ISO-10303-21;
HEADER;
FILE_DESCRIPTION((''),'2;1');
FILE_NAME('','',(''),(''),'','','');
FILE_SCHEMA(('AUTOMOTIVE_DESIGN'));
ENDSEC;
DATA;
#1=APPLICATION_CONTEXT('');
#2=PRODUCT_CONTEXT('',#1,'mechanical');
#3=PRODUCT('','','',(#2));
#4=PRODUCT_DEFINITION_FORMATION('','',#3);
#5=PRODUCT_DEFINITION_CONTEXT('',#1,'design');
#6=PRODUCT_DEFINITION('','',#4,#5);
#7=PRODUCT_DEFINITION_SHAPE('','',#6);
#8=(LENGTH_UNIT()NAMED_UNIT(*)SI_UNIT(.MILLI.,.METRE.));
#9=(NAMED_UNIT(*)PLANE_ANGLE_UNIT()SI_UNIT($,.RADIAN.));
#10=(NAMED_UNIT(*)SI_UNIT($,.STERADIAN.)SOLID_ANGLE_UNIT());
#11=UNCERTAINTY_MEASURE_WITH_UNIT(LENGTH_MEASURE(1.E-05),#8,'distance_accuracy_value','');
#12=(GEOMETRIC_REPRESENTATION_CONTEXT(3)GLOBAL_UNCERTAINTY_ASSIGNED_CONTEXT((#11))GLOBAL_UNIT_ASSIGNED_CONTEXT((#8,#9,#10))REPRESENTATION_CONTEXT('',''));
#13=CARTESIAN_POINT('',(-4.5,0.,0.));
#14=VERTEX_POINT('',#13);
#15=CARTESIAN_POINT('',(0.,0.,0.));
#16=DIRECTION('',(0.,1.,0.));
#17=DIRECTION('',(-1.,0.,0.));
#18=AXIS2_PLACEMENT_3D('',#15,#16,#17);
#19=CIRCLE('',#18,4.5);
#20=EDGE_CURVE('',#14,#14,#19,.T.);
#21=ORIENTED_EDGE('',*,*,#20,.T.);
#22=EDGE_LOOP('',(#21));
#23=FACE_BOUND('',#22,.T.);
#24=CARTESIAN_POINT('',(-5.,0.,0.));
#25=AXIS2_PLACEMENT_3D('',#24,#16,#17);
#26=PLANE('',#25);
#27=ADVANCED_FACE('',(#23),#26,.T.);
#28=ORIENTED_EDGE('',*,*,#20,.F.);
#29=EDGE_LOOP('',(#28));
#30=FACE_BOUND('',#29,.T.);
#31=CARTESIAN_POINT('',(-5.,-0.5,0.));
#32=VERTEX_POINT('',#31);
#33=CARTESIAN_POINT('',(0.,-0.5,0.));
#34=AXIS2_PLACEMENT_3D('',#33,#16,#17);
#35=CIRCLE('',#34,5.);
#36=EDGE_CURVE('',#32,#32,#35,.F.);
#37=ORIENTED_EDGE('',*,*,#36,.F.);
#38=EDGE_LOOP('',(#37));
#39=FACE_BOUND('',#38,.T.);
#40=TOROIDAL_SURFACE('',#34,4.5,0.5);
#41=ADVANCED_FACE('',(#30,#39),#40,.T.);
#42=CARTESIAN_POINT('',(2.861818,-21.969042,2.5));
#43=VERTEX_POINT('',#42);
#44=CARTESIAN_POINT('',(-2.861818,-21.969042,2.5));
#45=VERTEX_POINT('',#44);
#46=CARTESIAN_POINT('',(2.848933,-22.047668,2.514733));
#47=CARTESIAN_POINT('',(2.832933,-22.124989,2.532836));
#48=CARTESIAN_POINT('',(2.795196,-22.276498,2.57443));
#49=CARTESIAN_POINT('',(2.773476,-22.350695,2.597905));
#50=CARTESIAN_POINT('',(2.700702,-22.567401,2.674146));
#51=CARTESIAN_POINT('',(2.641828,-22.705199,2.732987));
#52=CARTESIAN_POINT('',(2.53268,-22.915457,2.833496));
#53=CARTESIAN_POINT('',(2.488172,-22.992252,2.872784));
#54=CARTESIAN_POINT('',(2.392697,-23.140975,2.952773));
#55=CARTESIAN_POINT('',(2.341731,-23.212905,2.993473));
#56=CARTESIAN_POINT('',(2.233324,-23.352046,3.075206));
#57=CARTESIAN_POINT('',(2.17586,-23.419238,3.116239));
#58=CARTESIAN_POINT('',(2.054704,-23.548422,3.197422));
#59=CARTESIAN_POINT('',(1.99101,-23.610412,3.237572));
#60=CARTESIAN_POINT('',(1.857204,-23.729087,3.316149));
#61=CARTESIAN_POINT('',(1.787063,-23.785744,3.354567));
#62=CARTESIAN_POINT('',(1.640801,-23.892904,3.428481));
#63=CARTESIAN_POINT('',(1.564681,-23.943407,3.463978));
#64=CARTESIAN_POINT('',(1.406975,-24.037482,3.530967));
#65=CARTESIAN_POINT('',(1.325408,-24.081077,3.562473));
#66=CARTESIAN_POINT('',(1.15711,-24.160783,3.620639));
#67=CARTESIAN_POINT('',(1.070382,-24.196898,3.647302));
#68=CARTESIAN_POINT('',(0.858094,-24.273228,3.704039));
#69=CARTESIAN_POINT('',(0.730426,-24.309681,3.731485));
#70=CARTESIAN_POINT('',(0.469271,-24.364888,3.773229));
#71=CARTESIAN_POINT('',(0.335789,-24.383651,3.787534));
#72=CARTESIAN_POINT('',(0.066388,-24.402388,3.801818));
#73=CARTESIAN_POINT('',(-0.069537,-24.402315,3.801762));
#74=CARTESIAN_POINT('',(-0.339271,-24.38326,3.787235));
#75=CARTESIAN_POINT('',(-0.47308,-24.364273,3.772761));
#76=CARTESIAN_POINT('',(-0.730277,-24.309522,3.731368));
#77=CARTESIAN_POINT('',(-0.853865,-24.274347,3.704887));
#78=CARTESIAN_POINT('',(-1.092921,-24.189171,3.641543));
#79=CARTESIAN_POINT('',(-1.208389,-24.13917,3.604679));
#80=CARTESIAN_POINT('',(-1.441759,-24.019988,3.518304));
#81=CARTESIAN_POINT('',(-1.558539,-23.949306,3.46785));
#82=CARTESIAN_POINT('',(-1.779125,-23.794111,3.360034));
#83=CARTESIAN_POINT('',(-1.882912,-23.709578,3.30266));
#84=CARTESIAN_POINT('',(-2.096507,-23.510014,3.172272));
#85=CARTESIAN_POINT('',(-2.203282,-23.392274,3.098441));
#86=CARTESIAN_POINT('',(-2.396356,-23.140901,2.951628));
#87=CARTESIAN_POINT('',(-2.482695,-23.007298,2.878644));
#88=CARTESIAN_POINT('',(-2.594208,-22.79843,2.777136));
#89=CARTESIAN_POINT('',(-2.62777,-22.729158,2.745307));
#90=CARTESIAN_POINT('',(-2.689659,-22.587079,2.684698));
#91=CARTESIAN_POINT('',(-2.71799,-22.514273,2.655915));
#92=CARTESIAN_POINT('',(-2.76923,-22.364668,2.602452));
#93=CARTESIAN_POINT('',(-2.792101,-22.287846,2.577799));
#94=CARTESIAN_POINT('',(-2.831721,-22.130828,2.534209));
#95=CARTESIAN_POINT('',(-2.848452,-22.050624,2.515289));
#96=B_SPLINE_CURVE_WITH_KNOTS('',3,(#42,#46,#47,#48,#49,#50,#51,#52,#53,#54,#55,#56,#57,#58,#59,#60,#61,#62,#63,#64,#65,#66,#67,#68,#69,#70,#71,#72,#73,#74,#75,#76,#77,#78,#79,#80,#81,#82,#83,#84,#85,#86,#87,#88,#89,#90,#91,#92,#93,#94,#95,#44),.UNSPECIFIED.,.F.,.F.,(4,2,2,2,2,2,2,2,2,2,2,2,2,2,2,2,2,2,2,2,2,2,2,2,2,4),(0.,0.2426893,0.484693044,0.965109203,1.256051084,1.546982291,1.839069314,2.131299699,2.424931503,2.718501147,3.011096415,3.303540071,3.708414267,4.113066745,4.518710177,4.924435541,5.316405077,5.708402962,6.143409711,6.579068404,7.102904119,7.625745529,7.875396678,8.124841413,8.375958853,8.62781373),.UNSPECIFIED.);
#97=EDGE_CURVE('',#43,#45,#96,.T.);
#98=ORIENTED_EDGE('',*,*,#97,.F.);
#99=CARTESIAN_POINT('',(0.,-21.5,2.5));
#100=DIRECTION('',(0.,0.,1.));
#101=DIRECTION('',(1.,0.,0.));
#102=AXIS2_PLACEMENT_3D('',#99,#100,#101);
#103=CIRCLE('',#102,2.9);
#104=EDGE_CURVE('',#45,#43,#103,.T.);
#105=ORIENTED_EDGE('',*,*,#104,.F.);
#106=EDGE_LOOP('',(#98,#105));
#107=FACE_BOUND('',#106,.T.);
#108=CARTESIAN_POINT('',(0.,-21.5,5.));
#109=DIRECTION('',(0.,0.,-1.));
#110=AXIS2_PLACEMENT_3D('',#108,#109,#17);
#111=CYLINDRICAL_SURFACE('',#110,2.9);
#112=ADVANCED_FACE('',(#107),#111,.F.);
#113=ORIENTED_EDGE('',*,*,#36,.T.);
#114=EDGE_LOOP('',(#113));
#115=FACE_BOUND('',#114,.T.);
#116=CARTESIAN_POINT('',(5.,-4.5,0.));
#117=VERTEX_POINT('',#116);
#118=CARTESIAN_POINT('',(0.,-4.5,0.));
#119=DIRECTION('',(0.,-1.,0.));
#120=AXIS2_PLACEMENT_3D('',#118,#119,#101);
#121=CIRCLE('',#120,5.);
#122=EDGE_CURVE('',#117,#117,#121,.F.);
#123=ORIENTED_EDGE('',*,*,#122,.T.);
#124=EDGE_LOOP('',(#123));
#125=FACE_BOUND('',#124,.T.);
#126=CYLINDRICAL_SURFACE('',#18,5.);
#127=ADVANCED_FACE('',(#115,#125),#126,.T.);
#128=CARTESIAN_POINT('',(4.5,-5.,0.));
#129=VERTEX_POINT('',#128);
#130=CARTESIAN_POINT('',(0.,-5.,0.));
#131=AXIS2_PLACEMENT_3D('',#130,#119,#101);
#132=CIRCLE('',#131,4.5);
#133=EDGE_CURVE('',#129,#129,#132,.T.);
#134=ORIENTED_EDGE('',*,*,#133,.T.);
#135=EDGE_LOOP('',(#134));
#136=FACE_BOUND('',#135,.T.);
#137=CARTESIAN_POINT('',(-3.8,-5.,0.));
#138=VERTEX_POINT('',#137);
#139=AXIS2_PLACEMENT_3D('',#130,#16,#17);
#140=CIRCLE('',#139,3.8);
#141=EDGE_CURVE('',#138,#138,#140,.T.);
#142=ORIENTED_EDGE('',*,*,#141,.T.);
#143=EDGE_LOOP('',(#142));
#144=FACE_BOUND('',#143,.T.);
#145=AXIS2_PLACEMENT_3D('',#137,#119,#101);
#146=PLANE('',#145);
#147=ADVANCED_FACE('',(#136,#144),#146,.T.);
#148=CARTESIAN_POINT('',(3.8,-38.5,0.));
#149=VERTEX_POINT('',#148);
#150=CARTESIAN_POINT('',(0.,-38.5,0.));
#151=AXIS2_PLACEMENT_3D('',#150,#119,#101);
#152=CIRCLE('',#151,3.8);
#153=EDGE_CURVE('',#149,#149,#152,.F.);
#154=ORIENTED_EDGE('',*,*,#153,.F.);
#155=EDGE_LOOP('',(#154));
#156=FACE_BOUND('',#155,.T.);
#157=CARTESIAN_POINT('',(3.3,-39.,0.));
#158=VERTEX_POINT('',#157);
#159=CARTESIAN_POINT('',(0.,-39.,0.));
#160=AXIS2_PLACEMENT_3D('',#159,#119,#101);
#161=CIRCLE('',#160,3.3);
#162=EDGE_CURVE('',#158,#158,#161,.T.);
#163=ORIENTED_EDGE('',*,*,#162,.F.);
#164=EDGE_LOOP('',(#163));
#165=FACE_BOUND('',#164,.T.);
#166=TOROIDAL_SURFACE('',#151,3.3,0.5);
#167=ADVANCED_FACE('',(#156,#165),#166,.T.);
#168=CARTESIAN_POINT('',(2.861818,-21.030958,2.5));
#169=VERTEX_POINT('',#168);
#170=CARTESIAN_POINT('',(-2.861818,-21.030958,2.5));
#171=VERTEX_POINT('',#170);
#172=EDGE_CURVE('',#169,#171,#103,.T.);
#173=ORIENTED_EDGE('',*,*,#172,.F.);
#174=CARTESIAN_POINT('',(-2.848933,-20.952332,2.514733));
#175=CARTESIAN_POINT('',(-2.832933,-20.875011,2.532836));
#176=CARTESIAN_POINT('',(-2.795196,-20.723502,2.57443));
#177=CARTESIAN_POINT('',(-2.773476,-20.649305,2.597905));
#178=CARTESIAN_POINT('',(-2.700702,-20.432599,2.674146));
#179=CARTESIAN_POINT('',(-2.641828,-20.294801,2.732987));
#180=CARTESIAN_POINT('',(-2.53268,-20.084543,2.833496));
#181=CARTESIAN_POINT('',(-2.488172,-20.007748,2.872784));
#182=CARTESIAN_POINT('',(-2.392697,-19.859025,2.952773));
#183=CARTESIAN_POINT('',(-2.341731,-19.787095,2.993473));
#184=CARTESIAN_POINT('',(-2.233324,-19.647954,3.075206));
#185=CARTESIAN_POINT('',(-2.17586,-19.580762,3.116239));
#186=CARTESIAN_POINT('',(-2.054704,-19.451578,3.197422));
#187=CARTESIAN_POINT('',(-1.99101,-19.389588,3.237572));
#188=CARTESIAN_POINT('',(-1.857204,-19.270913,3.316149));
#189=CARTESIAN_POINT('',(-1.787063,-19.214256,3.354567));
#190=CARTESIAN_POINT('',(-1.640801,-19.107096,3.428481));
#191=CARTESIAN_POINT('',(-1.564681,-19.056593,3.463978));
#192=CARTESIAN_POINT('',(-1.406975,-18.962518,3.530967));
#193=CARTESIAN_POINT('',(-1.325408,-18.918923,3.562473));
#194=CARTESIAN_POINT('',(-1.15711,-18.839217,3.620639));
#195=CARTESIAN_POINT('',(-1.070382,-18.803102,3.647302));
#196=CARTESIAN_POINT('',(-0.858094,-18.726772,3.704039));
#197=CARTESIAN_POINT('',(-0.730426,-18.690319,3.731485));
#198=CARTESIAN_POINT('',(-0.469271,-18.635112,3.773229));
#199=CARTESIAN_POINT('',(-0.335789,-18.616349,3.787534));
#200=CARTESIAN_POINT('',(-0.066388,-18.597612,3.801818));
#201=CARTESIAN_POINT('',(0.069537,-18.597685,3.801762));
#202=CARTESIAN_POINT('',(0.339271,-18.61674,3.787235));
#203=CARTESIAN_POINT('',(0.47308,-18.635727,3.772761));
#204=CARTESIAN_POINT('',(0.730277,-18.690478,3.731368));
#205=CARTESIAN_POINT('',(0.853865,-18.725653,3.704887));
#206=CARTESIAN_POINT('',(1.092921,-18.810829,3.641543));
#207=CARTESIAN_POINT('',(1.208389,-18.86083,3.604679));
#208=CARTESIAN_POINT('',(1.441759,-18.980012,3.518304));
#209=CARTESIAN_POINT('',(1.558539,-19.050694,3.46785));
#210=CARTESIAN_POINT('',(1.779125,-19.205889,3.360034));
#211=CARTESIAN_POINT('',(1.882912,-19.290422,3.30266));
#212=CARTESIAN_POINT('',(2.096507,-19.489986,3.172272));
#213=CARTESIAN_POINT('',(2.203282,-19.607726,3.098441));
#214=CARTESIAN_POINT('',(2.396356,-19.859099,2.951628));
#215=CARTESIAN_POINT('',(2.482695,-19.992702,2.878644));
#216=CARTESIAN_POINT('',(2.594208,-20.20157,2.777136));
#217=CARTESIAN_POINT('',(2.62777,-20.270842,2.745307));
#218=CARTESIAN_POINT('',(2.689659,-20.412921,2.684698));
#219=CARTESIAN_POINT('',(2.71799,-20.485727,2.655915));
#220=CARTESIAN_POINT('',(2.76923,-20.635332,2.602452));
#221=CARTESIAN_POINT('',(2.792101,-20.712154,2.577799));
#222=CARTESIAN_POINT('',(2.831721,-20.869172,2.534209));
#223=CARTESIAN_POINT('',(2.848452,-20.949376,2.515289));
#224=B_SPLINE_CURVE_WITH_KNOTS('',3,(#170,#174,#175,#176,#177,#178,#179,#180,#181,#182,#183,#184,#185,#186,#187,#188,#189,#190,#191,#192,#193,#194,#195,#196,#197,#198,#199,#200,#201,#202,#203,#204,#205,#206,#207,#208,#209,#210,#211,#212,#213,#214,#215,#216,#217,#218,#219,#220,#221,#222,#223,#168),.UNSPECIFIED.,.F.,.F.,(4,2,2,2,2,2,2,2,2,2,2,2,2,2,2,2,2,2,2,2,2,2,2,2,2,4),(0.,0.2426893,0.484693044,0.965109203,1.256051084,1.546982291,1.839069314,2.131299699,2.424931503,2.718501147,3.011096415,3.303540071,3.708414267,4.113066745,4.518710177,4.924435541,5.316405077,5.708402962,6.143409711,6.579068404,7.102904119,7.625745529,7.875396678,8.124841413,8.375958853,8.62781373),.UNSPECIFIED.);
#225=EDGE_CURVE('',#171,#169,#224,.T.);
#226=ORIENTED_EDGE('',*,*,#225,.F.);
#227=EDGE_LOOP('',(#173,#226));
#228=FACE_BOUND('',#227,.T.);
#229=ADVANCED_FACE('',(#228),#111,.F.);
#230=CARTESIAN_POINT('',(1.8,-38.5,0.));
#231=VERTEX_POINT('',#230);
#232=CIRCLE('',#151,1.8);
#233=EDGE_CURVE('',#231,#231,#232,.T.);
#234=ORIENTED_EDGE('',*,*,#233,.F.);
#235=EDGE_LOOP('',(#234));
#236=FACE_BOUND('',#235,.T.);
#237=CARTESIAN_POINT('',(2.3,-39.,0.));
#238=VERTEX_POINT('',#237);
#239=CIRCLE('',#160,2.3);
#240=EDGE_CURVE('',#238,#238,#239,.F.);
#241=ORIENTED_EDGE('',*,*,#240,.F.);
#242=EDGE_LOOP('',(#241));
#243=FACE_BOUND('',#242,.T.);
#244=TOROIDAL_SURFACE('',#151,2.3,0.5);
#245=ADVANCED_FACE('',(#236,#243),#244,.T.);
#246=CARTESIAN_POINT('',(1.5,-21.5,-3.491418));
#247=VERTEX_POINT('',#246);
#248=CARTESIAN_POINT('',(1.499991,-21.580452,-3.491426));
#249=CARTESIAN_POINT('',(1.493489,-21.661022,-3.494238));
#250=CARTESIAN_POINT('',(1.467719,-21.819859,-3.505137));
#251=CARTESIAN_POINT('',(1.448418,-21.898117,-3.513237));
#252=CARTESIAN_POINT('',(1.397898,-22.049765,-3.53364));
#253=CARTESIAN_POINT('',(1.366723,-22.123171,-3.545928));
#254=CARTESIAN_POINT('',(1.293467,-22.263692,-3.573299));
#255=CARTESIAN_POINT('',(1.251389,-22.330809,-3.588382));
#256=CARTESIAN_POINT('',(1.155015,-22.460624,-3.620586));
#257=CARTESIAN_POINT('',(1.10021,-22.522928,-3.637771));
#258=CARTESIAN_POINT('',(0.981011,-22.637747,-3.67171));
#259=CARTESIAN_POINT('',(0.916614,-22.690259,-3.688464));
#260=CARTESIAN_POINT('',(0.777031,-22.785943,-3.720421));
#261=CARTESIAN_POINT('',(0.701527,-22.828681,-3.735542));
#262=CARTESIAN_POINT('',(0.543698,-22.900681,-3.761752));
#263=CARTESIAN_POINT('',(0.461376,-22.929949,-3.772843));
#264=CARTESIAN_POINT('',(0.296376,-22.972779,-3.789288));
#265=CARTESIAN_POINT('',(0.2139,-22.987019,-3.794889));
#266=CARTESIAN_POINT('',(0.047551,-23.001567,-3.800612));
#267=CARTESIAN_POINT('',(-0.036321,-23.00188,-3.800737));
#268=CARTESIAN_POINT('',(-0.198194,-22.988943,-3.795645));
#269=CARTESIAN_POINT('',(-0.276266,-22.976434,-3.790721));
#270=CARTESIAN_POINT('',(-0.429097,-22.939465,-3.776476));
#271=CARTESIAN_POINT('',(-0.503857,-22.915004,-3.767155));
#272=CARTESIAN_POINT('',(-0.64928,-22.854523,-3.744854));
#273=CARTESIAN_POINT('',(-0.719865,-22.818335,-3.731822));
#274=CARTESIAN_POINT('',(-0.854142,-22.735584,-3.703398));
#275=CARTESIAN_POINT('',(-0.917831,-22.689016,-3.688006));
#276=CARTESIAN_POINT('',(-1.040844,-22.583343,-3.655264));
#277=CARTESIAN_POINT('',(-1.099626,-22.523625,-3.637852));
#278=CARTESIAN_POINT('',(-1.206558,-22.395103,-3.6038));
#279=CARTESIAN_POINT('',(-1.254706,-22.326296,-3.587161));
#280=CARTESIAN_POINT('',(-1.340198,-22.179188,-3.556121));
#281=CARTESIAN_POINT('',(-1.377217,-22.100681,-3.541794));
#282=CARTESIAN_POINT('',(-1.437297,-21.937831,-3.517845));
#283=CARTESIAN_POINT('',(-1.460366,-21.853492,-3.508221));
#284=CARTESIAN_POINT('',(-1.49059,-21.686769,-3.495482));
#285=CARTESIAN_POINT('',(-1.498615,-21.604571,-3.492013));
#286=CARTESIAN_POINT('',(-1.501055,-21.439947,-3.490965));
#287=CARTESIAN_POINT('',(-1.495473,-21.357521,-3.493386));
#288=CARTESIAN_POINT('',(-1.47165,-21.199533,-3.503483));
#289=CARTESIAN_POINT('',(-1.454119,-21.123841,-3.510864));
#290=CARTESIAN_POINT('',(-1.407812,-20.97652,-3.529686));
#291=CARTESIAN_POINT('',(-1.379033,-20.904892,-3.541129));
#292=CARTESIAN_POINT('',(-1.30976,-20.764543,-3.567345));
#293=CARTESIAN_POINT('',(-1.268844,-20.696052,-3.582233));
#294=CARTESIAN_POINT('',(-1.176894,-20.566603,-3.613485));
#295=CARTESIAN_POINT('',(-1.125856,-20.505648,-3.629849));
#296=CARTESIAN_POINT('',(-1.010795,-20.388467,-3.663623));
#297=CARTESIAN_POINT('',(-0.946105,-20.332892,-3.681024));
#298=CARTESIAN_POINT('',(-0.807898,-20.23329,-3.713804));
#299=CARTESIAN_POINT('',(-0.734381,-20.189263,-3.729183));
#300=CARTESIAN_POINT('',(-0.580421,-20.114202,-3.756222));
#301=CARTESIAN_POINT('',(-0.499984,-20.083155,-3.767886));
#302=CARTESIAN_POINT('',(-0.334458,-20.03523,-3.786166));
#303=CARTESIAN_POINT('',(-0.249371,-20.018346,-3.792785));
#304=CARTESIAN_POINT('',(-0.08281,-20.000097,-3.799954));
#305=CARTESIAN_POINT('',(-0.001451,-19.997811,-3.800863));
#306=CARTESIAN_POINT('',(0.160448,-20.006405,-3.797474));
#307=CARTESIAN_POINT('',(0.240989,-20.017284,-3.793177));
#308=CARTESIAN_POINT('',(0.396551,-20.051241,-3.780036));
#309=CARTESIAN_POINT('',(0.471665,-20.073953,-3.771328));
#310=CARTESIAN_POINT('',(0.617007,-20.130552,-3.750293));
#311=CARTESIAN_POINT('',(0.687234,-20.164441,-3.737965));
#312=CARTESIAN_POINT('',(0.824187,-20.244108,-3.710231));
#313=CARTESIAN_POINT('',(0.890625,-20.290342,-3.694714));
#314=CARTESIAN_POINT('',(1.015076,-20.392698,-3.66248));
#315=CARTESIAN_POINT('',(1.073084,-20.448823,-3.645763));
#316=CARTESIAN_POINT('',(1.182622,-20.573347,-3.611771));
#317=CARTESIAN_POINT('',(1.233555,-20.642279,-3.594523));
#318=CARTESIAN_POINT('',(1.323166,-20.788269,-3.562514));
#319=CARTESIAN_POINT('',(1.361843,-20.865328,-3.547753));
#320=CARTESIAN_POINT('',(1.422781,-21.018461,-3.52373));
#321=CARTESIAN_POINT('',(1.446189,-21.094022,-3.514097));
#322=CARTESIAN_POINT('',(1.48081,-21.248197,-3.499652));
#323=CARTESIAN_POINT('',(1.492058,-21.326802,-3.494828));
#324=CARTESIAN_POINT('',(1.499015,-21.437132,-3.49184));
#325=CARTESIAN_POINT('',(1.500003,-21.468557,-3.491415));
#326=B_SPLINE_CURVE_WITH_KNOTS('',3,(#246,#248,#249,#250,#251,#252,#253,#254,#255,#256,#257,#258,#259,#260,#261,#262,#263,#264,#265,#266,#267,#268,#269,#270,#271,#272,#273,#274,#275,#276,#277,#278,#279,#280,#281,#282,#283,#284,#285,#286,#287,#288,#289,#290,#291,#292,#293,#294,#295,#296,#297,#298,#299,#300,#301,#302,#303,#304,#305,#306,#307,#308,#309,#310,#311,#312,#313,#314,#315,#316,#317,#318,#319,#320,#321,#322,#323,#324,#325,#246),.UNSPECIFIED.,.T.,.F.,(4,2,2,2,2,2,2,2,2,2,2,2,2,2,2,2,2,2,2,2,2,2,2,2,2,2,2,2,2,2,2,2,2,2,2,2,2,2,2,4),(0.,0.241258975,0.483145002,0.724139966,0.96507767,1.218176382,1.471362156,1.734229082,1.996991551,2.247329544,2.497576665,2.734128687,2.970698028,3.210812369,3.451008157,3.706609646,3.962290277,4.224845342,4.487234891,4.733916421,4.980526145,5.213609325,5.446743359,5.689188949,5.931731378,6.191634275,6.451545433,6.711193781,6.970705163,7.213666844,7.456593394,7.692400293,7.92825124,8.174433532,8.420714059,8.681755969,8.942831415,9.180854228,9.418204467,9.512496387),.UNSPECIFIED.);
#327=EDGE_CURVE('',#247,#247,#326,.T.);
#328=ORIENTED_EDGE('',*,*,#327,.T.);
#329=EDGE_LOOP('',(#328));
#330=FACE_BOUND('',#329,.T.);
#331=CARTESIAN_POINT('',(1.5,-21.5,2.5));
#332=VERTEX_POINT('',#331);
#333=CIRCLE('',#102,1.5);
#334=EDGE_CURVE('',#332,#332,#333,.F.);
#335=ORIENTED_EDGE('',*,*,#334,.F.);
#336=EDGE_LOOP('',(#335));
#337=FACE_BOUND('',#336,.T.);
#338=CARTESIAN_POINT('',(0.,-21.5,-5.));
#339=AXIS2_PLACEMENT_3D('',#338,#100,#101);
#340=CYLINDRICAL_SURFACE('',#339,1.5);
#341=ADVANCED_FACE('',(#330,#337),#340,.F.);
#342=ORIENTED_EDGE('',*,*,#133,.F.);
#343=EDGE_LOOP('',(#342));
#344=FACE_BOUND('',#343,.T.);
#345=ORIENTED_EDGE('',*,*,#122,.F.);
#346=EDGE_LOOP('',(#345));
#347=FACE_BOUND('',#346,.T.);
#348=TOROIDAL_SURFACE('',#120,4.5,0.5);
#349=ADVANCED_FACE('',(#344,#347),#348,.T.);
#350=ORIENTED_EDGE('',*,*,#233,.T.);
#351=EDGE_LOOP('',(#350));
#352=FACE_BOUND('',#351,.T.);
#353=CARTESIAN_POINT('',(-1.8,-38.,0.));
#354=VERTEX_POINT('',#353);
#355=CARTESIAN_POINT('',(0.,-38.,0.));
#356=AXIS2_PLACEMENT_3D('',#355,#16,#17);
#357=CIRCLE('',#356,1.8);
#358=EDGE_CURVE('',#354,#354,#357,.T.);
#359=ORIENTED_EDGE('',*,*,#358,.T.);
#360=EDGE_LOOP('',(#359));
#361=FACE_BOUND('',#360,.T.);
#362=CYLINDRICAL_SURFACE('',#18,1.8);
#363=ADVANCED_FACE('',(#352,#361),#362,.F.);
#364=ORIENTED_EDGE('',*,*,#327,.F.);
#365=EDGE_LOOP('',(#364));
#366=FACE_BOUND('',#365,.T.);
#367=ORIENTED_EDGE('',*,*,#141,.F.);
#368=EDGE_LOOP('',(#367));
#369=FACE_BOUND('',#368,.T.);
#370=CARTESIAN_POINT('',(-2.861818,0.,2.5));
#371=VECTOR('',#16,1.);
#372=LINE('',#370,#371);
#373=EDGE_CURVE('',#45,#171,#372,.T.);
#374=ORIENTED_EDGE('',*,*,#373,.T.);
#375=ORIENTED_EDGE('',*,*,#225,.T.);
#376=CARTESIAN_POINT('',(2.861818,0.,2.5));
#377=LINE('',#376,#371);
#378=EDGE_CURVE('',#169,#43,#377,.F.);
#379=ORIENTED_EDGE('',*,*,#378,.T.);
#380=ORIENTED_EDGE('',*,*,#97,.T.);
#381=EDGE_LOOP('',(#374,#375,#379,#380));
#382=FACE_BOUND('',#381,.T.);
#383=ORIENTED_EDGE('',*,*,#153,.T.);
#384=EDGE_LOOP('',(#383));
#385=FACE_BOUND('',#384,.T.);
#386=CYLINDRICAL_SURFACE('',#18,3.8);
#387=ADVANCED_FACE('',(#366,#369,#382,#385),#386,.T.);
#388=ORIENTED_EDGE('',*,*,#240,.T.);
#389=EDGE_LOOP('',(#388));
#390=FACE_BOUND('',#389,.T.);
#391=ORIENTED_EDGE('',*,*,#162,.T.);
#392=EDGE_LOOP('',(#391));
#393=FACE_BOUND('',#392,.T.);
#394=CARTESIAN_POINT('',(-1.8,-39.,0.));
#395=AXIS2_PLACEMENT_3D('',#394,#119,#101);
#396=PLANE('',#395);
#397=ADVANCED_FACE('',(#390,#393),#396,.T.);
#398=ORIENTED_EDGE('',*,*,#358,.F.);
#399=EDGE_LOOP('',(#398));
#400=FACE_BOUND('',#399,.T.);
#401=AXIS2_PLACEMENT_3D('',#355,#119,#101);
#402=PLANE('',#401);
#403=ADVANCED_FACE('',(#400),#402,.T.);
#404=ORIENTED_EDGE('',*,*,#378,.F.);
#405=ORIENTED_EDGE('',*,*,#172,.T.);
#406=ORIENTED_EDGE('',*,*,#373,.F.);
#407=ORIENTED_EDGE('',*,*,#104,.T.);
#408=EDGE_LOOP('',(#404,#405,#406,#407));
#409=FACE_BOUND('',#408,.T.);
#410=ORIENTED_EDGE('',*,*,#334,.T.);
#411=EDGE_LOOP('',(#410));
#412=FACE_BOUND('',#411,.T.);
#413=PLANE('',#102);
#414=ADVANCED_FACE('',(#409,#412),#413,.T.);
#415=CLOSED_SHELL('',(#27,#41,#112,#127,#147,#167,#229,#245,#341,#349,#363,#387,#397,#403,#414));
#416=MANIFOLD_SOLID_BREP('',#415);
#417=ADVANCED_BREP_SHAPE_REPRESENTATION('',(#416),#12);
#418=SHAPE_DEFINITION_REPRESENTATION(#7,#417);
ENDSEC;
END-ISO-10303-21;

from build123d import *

# Parameters (mm, degrees)
VERRUNDUNG1_R                        = 0.5
SCHNITT_LINEAR_AUSTRAGEN1_DEPTH      = 40.635842378
SCHNITT_LINEAR_AUSTRAGEN1_DEPTH_BACK = 40.635842378
SKIZZE2_R                            = 1.5
SKIZZE3_R                            = 2.9
SCHNITT_LINEAR_AUSTRAGEN10_DEPTH     = 41.028115132


with BuildPart() as part:
    # Skizze1 → Rotation1 (revolve)
    with BuildSketch(Plane.XY):
        Polygon((0, 0), (0, -38), (-1.8, -38), (-1.8, -39), (-3.8, -39), (-3.8, -5), (-5, -5), (-5, 0), align=None)
    revolve(axis=Axis((0, 0, 0), (0, -1, 0)))

    # Verrundung1
    verrundung1_edges = [part.edges().sort_by_distance(p)[0] for p in [
        (5, 0, 0),
        (5, -5, 0),
        (3.8, -39, 0),
        (1.8, -39, 0),
    ]]
    fillet(verrundung1_edges, radius=VERRUNDUNG1_R)

    # Skizze2 → Schnitt-Linear austragen1 (cut, two sides: drawn at the far end of the back side and taken through both)
    with BuildSketch(Plane.XY.offset(-SCHNITT_LINEAR_AUSTRAGEN1_DEPTH_BACK)):
        with Locations((0, -21.5)):
            Circle(SKIZZE2_R)
    extrude(amount=SCHNITT_LINEAR_AUSTRAGEN1_DEPTH + SCHNITT_LINEAR_AUSTRAGEN1_DEPTH_BACK, mode=Mode.SUBTRACT)

    # Skizze3 → Schnitt-Linear austragen10 (cut, through all)
    with BuildSketch(Plane.XY.offset(2.5)):
        with Locations((0, -21.5)):
            Circle(SKIZZE3_R)
    extrude(amount=SCHNITT_LINEAR_AUSTRAGEN10_DEPTH, mode=Mode.SUBTRACT)


solid = part.part
